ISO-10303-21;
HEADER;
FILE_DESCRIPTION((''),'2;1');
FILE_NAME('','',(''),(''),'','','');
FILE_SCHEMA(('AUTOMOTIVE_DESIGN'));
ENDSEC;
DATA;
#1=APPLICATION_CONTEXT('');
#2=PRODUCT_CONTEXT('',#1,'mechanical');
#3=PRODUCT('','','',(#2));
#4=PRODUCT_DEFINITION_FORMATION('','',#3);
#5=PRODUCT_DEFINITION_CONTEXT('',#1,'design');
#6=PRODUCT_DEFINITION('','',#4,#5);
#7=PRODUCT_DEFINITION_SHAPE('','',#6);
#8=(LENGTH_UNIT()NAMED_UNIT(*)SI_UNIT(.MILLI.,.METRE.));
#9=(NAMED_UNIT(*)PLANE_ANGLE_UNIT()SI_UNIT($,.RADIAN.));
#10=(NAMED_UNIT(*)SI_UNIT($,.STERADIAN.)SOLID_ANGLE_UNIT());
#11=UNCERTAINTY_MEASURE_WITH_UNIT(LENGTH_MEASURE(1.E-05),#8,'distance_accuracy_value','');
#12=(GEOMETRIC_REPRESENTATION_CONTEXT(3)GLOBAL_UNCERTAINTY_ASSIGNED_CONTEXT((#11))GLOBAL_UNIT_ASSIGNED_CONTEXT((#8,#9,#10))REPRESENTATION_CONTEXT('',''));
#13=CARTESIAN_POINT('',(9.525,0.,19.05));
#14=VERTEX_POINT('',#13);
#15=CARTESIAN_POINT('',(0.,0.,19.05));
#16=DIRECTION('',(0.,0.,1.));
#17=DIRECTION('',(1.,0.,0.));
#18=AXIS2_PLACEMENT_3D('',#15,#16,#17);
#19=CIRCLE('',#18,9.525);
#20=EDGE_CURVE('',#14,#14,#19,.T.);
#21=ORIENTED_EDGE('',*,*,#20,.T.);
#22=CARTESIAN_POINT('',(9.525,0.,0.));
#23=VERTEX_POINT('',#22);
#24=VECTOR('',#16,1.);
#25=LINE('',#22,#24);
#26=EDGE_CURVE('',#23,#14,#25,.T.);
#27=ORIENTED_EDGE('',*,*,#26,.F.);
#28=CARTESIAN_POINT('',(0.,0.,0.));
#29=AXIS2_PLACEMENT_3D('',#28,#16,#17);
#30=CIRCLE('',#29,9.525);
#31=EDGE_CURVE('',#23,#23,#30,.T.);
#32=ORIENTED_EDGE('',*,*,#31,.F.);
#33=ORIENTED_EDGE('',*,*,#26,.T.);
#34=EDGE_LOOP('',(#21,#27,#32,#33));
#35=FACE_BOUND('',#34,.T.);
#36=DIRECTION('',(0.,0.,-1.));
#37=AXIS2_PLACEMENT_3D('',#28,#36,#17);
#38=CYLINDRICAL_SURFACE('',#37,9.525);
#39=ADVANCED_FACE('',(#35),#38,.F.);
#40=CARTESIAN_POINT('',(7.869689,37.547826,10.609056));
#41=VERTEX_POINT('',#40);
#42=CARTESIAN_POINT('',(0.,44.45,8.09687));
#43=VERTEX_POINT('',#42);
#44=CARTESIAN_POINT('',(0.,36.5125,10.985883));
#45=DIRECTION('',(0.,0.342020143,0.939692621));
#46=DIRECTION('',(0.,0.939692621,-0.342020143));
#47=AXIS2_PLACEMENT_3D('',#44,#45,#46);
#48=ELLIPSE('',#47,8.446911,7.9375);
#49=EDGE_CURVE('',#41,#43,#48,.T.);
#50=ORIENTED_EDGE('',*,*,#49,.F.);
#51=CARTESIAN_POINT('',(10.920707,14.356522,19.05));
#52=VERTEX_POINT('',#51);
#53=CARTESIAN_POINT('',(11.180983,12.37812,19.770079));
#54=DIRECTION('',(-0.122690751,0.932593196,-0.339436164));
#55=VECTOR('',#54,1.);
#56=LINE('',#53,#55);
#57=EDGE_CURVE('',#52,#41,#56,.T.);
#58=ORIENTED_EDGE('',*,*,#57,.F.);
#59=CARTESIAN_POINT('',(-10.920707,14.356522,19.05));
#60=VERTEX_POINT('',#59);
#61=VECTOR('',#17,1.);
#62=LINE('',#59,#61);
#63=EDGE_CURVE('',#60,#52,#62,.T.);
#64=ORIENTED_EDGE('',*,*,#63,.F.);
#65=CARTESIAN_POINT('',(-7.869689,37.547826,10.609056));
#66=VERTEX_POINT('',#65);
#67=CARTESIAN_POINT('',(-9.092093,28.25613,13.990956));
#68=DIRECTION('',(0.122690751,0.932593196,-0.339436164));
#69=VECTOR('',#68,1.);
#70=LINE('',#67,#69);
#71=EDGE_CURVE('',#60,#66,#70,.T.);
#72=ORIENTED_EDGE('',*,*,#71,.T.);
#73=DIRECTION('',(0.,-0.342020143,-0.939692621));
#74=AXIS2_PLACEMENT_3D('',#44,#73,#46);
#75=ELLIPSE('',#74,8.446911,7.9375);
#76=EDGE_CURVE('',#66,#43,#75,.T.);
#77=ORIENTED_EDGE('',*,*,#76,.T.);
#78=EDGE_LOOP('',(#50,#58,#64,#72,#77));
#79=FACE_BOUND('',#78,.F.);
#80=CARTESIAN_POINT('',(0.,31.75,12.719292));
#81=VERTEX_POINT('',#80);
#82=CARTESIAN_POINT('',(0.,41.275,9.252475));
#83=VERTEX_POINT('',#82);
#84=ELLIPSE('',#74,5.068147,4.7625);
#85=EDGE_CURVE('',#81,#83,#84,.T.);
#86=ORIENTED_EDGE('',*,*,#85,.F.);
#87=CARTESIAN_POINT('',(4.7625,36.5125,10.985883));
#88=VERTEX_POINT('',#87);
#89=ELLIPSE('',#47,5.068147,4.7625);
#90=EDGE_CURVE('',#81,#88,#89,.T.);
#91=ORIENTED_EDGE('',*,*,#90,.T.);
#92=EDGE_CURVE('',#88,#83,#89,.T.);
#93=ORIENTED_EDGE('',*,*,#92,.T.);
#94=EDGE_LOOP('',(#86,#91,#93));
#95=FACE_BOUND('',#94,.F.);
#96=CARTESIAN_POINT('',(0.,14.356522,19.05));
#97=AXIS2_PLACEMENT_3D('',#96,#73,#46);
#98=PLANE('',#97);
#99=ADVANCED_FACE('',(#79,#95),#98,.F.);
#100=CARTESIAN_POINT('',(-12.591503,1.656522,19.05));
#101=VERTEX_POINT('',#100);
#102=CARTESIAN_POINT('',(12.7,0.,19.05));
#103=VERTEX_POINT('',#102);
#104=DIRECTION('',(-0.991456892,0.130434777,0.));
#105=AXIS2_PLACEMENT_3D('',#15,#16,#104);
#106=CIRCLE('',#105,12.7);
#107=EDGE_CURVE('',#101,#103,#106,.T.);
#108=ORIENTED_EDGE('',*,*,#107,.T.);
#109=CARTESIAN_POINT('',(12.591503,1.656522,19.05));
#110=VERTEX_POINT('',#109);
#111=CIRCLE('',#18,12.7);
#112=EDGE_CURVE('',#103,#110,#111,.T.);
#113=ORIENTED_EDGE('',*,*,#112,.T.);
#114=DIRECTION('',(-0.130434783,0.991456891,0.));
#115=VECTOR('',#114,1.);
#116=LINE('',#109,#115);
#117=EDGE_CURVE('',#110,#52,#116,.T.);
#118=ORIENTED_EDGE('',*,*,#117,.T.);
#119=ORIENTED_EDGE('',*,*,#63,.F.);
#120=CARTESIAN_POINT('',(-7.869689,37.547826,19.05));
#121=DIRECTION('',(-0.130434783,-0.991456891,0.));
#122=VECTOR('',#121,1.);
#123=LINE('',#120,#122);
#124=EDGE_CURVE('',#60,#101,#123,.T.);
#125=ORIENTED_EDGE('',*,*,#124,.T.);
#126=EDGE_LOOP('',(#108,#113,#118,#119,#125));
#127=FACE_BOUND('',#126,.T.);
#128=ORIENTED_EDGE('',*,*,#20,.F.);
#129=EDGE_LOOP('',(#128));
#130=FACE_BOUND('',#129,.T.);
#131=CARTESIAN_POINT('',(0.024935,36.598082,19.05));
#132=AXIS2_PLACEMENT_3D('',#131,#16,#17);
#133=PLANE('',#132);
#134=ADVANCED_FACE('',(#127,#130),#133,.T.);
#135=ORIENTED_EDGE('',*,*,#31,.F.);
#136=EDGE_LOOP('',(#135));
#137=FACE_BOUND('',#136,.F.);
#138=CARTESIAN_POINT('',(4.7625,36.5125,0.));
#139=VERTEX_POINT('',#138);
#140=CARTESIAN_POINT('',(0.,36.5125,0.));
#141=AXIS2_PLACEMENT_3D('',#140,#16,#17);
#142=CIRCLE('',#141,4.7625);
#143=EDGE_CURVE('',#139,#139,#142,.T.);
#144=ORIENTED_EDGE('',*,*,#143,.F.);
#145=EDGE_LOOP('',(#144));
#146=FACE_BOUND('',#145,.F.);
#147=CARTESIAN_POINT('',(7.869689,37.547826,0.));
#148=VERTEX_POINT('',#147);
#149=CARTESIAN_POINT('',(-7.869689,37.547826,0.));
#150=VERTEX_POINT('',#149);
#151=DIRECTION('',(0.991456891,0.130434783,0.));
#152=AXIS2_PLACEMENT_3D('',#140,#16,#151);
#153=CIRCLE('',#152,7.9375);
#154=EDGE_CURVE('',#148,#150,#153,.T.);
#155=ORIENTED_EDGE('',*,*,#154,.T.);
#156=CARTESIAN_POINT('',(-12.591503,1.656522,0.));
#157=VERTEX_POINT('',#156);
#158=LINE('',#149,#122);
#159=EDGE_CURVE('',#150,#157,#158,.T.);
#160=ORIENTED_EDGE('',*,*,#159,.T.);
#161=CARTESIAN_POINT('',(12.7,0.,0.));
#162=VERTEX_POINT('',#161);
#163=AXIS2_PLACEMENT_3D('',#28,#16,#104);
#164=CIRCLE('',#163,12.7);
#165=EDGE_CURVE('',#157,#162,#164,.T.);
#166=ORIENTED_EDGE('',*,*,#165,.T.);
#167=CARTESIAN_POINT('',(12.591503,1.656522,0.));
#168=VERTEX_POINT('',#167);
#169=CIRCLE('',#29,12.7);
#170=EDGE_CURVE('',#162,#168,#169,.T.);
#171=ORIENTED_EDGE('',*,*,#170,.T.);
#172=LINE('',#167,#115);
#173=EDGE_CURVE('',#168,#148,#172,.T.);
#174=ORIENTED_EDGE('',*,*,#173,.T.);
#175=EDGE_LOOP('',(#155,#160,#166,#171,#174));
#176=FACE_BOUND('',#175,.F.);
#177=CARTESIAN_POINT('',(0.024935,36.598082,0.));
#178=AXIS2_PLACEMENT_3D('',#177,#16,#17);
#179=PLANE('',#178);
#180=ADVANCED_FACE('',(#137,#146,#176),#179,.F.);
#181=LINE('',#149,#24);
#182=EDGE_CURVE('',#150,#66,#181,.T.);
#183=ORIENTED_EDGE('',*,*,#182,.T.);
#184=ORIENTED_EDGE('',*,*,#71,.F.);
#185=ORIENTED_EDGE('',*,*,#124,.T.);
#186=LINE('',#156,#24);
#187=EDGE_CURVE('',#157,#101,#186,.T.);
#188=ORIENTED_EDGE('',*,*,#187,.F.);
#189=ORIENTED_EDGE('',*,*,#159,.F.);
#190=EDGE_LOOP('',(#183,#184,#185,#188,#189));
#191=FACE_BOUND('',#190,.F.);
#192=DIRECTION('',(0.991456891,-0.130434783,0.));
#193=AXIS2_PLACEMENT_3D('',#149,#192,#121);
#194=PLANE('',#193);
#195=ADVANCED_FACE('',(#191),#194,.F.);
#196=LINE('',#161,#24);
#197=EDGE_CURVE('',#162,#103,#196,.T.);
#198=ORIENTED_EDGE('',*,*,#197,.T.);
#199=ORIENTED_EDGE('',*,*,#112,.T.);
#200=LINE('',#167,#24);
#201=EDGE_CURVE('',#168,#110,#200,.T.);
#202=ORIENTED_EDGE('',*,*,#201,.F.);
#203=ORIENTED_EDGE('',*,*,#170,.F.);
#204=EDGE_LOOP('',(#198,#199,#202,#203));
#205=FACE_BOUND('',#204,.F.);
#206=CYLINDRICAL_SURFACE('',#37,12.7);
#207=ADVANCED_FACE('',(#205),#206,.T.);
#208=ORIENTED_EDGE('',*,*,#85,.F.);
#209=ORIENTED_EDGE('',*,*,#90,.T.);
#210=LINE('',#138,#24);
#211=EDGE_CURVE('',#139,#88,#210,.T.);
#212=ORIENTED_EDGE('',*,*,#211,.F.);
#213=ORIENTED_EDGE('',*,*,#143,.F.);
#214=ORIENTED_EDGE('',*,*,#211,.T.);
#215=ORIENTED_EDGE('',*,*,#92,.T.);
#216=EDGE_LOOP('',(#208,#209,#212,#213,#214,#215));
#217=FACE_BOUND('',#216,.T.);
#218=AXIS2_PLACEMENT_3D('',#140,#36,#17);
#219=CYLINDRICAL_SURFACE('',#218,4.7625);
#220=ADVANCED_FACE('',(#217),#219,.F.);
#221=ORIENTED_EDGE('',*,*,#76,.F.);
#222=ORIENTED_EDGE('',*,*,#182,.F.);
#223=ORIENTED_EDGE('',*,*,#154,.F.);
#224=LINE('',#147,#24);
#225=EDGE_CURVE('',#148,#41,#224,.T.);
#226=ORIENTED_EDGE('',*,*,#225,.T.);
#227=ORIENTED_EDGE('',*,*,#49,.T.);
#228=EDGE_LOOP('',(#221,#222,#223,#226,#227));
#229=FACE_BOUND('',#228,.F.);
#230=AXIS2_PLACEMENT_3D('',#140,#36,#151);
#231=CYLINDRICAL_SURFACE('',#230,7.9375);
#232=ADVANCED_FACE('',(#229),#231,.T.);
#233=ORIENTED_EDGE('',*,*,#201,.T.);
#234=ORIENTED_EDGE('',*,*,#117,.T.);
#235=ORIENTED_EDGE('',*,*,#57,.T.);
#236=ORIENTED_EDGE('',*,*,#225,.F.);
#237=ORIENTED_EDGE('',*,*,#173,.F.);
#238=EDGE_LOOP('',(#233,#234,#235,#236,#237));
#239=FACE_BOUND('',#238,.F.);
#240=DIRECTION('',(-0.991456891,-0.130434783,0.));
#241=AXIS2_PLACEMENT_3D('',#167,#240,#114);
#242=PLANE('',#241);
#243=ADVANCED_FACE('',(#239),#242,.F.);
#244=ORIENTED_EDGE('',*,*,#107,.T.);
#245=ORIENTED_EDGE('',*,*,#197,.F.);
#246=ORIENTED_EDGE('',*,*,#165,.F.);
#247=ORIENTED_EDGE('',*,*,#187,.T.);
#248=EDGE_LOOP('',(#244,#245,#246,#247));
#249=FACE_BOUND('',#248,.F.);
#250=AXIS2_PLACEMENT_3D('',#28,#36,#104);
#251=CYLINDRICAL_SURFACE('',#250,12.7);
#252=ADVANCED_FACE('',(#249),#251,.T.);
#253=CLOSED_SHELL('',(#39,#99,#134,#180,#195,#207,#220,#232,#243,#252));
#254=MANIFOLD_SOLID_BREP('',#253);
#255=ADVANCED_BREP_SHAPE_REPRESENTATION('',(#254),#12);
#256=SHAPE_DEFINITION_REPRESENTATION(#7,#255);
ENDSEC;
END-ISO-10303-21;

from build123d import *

# Parameters (mm, degrees)
F0_R          = 4.7625
F0_R_2        = 9.525
F1_DEPTH      = 19.05
F3_DEPTH      = 12.701
F3_DEPTH_BACK = 25.4


with BuildPart() as f1:
    # F0 (on Top) → F1 (new body)
    with BuildSketch(Plane.XY):
        with BuildLine():
            ThreePointArc((7.9375, 36.5125), (7.9205291265, 37.031272211), (7.8696890754, 37.547826087))
            ThreePointArc((7.8696890754, 37.547826087), (0, 44.45), (-7.8696890754, 37.547826087))
            ThreePointArc((-7.8696890754, 37.547826087), (-0.518772211, 28.5919708735), (7.9375, 36.5125))
        make_face()
        with Locations((0, 36.5125)):
            Circle(F0_R, mode=Mode.SUBTRACT)
        with BuildLine():
            ThreePointArc((-12.5915025308, 1.6565216618), (-7.75e-08, 12.7), (12.5915025106, 1.6565218155))
            Line((12.5915025106, 1.6565218155), (7.8696890754, 37.547826087))
            ThreePointArc((7.8696890754, 37.547826087), (7.9205291265, 37.031272211), (7.9375, 36.5125))
            ThreePointArc((7.9375, 36.5125), (-0.518772211, 28.5919708735), (-7.8696890754, 37.547826087))
            Line((-7.8696890754, 37.547826087), (-12.5915025308, 1.6565216618))
        make_face()
        with BuildLine():
            ThreePointArc((-12.5915025308, 1.6565216618), (-0.8300354988, -12.6728466049), (12.7, 0))
            ThreePointArc((12.7, 0), (12.6728465998, 0.8300355761), (12.5915025106, 1.6565218155))
            ThreePointArc((12.5915025106, 1.6565218155), (-7.75e-08, 12.7), (-12.5915025308, 1.6565216618))
        make_face()
        Circle(F0_R_2, mode=Mode.SUBTRACT)
    extrude(amount=F1_DEPTH)

    # F2 (on Right) → F3 (cut, two sides)
    with BuildSketch(Plane.YZ) as f3_sk:
        Polygon((46.8362408346, 19.05), (14.3565217391, 19.05), (46.8362408346, 7.2283490319), align=None)
    extrude(amount=-F3_DEPTH, mode=Mode.SUBTRACT)
    extrude(f3_sk.sketch, amount=F3_DEPTH_BACK, mode=Mode.SUBTRACT)


solid = f1.part
